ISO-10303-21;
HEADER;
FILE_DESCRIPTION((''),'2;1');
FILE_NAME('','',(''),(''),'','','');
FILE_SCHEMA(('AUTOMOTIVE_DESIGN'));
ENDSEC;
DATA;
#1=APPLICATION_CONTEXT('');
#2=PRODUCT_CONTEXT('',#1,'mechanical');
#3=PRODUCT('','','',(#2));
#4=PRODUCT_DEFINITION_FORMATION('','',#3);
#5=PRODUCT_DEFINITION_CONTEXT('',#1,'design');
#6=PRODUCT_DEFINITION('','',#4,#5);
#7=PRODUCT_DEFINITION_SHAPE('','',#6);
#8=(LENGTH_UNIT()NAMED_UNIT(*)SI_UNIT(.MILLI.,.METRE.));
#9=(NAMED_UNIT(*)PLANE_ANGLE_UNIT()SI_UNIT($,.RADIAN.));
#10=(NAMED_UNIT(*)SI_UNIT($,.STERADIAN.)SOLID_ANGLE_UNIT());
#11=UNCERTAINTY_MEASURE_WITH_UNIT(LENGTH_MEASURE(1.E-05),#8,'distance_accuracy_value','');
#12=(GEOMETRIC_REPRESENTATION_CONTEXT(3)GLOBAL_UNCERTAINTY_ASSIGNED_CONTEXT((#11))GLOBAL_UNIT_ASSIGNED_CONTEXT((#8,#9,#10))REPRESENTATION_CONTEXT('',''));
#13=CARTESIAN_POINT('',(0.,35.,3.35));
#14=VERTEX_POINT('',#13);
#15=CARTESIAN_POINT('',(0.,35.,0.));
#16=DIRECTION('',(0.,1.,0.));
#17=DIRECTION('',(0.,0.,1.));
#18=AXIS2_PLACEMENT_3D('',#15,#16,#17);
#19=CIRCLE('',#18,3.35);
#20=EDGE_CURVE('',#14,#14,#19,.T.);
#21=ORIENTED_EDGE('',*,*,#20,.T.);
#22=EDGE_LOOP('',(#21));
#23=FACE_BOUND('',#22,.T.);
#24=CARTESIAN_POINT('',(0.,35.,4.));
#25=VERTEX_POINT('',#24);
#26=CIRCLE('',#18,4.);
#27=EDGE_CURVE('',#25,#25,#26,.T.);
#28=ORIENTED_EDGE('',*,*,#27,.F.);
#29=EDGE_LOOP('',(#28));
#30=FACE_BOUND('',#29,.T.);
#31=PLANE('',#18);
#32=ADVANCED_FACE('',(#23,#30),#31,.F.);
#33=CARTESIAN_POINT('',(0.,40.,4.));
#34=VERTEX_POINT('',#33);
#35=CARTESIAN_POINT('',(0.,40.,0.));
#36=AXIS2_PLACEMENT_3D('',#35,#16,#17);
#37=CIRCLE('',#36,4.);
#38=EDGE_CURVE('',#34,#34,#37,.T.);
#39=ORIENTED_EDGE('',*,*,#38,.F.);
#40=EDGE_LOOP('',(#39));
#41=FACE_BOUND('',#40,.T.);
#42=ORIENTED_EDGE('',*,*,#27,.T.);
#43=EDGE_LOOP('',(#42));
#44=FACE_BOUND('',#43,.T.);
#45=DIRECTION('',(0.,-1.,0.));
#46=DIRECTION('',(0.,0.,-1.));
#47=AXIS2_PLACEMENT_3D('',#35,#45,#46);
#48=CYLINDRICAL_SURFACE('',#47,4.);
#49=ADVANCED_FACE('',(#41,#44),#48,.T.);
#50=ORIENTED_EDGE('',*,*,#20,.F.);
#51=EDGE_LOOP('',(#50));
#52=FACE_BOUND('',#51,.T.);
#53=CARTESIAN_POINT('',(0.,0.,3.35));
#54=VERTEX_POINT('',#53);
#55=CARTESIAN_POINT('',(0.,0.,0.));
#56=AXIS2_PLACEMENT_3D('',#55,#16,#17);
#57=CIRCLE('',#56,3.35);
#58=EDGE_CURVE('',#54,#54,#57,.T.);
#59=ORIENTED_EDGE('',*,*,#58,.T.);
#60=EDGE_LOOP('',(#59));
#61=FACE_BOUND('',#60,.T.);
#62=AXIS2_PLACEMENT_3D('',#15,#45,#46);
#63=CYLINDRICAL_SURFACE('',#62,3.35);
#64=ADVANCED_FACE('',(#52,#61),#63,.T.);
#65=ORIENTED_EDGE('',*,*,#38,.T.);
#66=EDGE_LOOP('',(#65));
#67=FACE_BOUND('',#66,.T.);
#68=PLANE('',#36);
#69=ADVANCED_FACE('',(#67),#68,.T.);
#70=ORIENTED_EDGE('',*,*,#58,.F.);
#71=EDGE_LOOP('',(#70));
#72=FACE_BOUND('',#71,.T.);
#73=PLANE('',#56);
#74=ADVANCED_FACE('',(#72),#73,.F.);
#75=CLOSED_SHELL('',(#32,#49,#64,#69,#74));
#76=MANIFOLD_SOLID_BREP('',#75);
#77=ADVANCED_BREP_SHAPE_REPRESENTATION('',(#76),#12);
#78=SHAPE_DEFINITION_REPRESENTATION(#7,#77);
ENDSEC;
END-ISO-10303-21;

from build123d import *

# Parameters (mm, degrees)
SKETCH_1_R      = 3.35
EXTRUDE_1_DEPTH = 35
SKETCH_2_R      = 4
EXTRUDE_2_DEPTH = 5


with BuildPart() as part:
    # 草图1 → 凸台-拉伸1 (new body)
    with BuildSketch(Plane(origin=(0, 0, 0), x_dir=(1, 0, 0), z_dir=(0, 1, 0))):
        with Locations(Location((0, 0, 0), (0, 0, 270))):
            Circle(SKETCH_1_R)
    extrude(amount=EXTRUDE_1_DEPTH)

    # 草图2 → 凸台-拉伸2 (add)
    with BuildSketch(Plane(origin=(0, 35, 0), x_dir=(1, 0, 0), z_dir=(0, 1, 0))):
        with Locations(Location((0, 0, 0), (0, 0, 270))):
            Circle(SKETCH_2_R)
    extrude(amount=EXTRUDE_2_DEPTH)


solid = part.part
